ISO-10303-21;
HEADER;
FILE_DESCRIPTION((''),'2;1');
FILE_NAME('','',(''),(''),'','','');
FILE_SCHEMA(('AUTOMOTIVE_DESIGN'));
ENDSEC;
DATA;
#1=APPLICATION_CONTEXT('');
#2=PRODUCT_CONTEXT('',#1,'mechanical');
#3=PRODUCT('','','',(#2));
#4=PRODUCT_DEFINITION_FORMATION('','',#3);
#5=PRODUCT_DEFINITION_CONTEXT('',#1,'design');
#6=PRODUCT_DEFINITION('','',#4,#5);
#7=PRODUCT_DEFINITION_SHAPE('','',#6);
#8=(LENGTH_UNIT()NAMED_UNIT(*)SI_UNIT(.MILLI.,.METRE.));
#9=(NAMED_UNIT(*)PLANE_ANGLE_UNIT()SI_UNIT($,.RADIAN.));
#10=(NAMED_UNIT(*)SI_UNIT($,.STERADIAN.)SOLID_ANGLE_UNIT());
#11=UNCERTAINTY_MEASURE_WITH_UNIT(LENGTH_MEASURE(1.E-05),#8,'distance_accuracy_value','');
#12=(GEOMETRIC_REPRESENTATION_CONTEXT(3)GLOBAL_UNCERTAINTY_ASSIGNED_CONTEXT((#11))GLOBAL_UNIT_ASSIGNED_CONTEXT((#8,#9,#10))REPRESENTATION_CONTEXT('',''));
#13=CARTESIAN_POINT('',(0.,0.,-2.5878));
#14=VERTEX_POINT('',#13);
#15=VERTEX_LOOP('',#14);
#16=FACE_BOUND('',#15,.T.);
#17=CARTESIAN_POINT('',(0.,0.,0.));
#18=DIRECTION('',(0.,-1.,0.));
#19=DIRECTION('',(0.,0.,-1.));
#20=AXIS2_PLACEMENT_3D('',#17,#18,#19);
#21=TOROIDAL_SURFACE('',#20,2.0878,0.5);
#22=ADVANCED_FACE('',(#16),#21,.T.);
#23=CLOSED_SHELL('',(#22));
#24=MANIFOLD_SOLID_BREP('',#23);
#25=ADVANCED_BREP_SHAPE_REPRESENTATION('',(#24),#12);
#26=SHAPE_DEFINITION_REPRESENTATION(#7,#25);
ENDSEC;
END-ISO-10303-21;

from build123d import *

# Parameters (mm, degrees)
SKETCH1_R = 0.5


with BuildPart() as part:
    # Sketch1 → Revolve1 (revolve)
    with BuildSketch(Plane(origin=(0, 0, 0), x_dir=(0, 0, -1), z_dir=(1, 0, 0))):
        with Locations((2.0878, 0)):
            Circle(SKETCH1_R)
    revolve(axis=Axis((0, 0, 0), (0, 1, 0)))


solid = part.part
